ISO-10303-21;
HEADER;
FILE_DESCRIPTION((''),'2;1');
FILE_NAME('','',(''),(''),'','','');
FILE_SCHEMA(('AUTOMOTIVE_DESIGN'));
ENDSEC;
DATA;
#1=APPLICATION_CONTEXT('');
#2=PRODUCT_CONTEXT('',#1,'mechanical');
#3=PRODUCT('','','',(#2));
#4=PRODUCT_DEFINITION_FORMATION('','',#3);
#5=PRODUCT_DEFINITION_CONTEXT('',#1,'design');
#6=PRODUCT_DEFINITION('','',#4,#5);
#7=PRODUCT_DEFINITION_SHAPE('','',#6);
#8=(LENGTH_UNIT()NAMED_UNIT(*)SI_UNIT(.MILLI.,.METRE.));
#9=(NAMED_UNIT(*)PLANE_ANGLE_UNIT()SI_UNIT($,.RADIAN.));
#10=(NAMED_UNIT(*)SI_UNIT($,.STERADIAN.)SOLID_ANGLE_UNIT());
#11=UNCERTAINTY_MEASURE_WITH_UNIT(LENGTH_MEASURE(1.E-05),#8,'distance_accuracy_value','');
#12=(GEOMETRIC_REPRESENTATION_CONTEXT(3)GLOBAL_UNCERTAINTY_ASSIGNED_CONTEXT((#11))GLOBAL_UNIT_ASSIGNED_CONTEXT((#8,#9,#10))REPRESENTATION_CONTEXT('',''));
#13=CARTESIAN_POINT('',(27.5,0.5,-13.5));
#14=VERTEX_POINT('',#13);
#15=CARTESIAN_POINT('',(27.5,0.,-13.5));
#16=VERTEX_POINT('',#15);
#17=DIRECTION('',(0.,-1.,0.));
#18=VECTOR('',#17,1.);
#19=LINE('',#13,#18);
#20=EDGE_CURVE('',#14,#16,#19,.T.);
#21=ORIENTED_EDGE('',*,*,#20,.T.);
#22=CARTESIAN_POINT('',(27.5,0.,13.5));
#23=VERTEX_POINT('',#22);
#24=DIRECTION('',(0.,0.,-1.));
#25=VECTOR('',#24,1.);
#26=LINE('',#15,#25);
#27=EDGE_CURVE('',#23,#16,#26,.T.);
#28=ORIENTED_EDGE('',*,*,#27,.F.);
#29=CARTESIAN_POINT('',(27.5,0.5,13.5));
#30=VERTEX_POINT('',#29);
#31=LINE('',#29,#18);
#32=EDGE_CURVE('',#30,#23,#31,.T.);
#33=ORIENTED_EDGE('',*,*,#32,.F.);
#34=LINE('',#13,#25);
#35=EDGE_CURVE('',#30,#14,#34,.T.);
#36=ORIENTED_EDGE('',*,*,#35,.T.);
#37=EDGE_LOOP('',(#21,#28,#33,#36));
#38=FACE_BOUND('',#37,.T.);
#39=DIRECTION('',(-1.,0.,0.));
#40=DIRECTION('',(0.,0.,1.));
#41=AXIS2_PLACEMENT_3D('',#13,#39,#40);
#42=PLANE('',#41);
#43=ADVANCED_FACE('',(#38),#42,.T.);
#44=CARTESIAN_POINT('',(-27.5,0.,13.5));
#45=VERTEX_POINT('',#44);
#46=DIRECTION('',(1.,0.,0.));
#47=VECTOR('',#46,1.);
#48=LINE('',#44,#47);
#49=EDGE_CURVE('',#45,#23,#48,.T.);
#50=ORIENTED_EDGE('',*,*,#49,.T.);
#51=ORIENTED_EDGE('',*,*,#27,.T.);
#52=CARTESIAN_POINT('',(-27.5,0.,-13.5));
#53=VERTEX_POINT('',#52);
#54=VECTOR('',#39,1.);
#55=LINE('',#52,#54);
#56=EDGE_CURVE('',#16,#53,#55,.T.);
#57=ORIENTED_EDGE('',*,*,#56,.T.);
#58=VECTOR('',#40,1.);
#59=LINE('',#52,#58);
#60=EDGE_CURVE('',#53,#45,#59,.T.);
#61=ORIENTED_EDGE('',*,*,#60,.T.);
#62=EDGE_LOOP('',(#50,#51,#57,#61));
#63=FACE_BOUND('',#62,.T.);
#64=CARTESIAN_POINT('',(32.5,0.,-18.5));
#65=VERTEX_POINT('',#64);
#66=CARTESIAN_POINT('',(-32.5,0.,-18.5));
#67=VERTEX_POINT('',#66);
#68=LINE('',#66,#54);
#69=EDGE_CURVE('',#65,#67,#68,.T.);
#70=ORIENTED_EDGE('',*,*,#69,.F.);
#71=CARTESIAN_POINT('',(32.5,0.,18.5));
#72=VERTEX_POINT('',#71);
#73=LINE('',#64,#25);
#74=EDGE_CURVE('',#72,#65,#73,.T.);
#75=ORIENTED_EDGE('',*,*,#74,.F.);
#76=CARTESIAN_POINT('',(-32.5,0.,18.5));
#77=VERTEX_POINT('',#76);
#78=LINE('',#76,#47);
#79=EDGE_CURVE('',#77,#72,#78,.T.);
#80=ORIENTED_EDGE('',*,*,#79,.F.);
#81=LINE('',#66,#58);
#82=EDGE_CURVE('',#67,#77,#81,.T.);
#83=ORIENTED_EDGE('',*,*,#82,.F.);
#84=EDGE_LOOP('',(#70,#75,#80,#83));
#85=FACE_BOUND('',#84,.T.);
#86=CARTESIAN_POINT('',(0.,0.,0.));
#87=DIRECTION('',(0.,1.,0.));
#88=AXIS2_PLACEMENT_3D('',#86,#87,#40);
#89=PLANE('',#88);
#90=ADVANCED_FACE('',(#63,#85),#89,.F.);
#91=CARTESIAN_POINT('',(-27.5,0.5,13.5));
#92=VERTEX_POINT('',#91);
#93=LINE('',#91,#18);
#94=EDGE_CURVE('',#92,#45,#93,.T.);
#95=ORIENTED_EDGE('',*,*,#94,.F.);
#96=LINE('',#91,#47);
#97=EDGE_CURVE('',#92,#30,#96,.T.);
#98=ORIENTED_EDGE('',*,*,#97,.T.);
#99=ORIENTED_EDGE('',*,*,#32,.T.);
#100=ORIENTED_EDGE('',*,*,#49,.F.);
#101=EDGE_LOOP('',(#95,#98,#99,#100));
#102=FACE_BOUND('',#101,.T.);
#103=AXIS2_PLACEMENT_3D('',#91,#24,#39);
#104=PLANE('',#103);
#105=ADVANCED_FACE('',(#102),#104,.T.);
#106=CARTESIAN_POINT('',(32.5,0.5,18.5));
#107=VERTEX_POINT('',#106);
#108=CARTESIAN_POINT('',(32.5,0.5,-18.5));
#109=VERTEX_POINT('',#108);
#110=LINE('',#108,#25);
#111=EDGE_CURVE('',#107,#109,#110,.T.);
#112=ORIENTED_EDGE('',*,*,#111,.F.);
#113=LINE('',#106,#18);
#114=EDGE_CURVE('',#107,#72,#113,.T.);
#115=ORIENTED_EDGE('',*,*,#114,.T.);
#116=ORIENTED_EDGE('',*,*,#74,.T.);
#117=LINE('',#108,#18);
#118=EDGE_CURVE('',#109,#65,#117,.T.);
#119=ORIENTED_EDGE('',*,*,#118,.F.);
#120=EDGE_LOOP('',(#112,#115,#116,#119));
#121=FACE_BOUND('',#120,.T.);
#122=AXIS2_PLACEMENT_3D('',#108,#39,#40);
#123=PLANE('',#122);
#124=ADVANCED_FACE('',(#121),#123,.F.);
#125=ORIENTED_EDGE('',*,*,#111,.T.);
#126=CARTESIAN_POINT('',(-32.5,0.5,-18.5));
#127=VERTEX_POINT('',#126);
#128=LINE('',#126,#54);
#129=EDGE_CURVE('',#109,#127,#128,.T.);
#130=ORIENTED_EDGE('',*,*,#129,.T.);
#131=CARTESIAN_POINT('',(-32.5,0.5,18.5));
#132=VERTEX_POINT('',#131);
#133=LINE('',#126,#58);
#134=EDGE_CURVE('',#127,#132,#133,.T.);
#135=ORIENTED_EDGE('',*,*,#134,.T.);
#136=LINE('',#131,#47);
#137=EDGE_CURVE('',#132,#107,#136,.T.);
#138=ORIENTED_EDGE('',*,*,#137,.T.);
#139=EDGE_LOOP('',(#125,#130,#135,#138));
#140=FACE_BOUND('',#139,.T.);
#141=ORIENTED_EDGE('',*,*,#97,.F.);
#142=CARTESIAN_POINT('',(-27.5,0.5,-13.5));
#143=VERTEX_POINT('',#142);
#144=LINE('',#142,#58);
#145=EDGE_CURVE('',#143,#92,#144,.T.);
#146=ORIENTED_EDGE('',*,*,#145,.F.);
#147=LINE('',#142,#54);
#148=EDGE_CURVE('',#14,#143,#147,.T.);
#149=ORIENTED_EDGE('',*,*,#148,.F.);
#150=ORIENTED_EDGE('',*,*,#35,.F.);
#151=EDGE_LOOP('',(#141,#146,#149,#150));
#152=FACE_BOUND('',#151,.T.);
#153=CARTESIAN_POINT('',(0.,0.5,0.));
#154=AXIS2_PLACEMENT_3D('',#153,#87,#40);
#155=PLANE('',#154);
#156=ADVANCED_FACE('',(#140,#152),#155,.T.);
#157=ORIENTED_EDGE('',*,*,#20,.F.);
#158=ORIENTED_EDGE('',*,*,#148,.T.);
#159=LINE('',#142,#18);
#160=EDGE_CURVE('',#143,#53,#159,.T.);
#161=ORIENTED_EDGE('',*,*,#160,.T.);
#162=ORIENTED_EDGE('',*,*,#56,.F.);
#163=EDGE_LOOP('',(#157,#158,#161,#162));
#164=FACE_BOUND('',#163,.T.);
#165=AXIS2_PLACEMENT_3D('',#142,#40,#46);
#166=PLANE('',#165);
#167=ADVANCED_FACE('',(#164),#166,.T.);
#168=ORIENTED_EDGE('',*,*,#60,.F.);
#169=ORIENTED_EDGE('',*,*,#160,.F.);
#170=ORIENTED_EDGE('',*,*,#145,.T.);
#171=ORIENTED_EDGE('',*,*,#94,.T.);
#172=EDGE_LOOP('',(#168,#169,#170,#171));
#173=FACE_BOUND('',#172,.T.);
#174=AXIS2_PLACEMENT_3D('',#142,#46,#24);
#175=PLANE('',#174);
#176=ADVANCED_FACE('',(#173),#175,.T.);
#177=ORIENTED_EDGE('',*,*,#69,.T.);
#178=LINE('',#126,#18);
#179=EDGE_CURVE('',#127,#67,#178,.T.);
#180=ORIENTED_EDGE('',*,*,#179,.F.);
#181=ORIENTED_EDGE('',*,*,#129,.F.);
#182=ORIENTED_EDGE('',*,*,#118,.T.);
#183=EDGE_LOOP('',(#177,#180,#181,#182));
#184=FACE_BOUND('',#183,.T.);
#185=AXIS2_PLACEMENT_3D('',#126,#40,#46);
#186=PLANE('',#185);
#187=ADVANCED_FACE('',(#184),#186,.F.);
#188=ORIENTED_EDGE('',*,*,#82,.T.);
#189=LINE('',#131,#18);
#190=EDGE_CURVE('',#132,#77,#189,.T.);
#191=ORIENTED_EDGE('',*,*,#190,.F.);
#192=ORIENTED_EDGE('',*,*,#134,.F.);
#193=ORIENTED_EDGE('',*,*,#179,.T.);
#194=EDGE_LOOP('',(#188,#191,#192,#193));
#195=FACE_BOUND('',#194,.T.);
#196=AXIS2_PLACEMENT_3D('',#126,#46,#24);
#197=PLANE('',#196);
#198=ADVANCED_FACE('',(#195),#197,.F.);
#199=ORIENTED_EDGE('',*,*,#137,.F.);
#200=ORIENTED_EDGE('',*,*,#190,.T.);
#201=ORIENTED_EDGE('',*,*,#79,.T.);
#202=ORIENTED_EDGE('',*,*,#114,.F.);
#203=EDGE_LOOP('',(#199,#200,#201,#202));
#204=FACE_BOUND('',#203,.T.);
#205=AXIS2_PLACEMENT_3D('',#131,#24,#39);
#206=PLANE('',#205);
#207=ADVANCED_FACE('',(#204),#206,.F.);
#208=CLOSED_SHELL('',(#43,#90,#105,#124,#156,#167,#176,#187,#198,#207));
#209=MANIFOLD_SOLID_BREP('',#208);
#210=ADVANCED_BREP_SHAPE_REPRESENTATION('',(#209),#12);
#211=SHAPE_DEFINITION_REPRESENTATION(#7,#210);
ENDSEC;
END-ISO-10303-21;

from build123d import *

# Parameters (mm, degrees)
SKETCH_1_W      = 65
SKETCH_1_H      = 37
SKETCH_1_W_2    = 55
SKETCH_1_H_2    = 27
EXTRUDE_1_DEPTH = 0.5


with BuildPart() as part:
    # 草图1 → 凸台-拉伸1 (new body)
    with BuildSketch(Plane(origin=(0, 0, 0), x_dir=(1, 0, 0), z_dir=(0, 1, 0))):
        Rectangle(SKETCH_1_W, SKETCH_1_H)
        Rectangle(SKETCH_1_W_2, SKETCH_1_H_2, mode=Mode.SUBTRACT)
    extrude(amount=EXTRUDE_1_DEPTH)


solid = part.part
